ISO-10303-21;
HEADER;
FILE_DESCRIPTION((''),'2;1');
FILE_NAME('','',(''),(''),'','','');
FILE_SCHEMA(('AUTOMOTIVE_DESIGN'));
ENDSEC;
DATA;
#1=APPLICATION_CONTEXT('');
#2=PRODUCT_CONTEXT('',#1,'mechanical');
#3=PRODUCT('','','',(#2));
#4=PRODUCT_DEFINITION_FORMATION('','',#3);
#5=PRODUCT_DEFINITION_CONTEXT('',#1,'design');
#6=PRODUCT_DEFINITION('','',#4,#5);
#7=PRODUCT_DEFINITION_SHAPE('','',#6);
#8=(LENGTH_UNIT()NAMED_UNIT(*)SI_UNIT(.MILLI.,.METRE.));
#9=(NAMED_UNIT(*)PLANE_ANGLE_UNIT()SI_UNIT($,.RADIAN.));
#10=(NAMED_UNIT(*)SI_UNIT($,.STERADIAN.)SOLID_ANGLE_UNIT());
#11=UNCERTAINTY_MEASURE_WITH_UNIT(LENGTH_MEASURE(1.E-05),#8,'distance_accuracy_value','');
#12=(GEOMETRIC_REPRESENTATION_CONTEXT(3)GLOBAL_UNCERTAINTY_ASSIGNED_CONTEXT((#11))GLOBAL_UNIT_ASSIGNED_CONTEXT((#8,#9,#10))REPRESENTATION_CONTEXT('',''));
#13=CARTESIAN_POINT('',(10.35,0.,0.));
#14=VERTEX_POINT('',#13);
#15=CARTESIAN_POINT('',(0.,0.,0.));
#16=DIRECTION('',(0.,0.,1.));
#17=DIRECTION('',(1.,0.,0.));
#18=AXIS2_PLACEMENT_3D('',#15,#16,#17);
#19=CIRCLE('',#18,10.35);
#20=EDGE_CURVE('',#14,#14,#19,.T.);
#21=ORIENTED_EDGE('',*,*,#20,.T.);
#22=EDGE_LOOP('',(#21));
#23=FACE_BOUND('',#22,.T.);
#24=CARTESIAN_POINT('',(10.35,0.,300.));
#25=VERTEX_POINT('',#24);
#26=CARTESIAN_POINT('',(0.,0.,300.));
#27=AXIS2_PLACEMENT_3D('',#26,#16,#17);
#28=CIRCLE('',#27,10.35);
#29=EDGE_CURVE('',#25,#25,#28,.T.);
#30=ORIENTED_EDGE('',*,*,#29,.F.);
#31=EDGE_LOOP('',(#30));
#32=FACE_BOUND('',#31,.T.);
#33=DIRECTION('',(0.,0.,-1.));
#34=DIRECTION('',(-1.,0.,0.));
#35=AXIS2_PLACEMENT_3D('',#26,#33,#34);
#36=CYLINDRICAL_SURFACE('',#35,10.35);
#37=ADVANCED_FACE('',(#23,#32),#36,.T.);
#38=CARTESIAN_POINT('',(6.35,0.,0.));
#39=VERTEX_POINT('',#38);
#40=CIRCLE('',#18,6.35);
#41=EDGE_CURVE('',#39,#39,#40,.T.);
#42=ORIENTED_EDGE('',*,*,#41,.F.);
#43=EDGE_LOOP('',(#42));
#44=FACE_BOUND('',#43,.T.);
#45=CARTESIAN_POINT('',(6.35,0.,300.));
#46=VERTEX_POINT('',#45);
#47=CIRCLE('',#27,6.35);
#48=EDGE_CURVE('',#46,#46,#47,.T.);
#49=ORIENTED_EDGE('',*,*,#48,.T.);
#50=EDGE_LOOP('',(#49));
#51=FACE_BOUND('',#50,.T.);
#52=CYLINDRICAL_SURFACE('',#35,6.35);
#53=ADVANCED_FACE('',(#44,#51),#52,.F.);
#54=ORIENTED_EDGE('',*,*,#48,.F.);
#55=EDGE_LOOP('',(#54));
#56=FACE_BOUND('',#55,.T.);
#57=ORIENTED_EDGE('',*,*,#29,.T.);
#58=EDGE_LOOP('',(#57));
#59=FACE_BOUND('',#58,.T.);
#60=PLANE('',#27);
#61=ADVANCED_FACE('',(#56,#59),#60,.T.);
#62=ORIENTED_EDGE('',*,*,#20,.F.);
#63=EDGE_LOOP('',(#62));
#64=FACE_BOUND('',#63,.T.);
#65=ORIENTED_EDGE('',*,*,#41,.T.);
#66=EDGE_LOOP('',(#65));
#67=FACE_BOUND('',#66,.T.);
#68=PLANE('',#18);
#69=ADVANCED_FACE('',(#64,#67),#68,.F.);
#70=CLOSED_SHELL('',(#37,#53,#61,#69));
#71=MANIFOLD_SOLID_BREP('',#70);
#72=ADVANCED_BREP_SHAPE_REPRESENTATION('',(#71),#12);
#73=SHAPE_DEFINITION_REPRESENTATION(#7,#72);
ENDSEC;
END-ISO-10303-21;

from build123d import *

# Parameters (mm, degrees)
IZIM1_R                     = 10.35
IZIM1_R_2                   = 6.35
Y_KSEKLIK_EKSTR_ZYON1_DEPTH = 300


with BuildPart() as part:
    # Çizim1 → Yükseklik-Ekstrüzyon1 (new body)
    with BuildSketch(Plane.XY):
        Circle(IZIM1_R)
        Circle(IZIM1_R_2, mode=Mode.SUBTRACT)
    extrude(amount=Y_KSEKLIK_EKSTR_ZYON1_DEPTH)


solid = part.part
